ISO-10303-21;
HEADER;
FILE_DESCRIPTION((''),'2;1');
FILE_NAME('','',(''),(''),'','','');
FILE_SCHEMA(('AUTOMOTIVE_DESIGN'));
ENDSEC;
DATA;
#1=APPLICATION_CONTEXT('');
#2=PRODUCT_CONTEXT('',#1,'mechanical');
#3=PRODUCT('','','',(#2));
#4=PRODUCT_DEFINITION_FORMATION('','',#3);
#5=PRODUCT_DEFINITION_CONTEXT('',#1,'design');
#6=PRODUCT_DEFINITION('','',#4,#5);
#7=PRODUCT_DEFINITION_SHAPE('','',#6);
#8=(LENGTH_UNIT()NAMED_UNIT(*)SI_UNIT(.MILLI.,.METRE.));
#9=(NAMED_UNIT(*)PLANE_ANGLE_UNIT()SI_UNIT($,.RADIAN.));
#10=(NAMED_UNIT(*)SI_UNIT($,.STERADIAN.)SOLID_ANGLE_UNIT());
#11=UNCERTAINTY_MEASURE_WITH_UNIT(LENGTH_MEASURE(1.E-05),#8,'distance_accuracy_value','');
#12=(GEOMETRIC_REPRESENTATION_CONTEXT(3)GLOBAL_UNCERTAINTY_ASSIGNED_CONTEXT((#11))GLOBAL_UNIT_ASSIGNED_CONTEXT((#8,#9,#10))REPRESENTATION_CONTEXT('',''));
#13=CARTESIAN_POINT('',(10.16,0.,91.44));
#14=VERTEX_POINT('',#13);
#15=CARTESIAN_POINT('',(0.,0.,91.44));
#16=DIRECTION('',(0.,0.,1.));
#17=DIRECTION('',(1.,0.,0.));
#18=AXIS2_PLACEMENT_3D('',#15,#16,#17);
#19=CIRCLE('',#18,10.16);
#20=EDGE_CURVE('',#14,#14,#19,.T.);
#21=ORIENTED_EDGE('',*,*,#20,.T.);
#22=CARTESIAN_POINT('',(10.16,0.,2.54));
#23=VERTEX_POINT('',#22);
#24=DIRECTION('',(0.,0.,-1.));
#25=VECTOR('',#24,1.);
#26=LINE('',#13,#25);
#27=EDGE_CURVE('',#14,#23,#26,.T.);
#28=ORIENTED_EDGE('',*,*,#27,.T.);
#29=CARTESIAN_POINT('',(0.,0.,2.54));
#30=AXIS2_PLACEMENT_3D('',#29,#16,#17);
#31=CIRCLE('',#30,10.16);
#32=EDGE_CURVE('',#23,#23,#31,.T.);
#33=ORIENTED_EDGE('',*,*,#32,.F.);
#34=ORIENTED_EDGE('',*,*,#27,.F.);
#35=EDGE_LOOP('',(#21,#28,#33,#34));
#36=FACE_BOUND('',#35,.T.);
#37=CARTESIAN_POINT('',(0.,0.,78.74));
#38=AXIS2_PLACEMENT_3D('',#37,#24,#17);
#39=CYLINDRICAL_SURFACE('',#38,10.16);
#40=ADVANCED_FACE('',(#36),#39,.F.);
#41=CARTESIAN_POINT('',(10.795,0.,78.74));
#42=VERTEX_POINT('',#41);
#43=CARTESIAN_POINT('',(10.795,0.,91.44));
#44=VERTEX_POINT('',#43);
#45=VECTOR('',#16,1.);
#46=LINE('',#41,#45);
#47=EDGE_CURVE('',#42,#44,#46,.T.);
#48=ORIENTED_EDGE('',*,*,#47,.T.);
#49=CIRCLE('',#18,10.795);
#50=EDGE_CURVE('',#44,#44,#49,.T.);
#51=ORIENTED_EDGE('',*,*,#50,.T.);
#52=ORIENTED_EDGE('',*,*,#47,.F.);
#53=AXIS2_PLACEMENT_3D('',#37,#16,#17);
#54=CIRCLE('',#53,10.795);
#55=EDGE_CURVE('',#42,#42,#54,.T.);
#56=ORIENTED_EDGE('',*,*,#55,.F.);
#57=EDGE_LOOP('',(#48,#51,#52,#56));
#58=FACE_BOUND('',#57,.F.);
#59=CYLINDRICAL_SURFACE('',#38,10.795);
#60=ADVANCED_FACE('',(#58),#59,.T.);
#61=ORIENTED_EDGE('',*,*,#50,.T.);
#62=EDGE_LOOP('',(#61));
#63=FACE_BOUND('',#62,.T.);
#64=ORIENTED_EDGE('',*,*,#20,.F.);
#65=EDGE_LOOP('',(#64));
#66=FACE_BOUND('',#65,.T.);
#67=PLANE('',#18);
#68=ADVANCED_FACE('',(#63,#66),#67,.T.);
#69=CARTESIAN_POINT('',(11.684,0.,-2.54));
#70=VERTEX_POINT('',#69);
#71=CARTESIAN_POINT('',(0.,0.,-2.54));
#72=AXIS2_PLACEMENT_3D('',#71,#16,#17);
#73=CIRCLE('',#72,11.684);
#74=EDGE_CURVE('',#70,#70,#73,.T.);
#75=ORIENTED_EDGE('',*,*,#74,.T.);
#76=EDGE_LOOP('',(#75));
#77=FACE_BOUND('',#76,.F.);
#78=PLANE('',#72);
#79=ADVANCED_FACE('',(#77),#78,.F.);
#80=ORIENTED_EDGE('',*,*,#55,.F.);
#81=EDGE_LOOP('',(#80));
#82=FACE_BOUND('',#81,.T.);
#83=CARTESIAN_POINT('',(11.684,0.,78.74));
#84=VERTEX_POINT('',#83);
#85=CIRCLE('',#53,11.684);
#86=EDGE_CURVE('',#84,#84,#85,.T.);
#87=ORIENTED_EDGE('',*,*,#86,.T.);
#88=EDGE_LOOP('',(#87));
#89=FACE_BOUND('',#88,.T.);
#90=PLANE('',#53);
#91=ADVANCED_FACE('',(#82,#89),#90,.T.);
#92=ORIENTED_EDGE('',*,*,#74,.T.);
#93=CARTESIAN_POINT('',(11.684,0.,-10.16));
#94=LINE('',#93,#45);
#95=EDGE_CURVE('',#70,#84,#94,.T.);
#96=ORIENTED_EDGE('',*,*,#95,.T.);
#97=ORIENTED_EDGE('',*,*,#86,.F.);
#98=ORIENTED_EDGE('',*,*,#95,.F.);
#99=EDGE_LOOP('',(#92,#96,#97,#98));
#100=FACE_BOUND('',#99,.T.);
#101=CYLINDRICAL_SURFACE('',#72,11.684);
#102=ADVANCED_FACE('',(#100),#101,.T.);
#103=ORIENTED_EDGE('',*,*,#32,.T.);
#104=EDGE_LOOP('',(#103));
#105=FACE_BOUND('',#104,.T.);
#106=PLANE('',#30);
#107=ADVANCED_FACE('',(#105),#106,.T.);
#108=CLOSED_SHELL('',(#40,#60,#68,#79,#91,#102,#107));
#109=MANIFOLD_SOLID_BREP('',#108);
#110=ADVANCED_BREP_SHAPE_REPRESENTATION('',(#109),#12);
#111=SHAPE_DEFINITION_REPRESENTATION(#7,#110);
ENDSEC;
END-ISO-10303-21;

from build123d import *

# Parameters (mm, degrees)
F0_R     = 11.684
F1_DEPTH = 78.74
F2_R     = 10.16
F3_DEPTH = 76.2
F4_DEPTH = 2.54
F5_DEPTH = 7.62
F7_DEPTH = 7.62
F6_R     = 10.795
F6_R_2   = 10.16
F9_DEPTH = 12.7


with BuildPart() as f1:
    # F0 (on Top) → F1 (new body)
    with BuildSketch(Plane.XY):
        Circle(F0_R)
    extrude(amount=F1_DEPTH)

    # F2 (on face) → F3 (cut)
    with BuildSketch(Plane.XY.offset(78.74)):
        Circle(F2_R)
    extrude(amount=-F3_DEPTH, mode=Mode.SUBTRACT)

    # F4 (add): a face of the model
    f4_faces = [f1.faces().sort_by_distance(p)[0] for p in [
        (0, 0, 0),
    ]]
    extrude(f4_faces, amount=F4_DEPTH)

    # F5 (add): a face of the model
    f5_faces = [f1.faces().sort_by_distance(p)[0] for p in [
        (0, 0, -2.54),
    ]]
    extrude(f5_faces, amount=F5_DEPTH)

    # F7 (cut): a face of the model
    f7_faces = [f1.faces().sort_by_distance(p)[0] for p in [
        (0, 0, -10.16),
    ]]
    extrude(f7_faces, amount=-F7_DEPTH, mode=Mode.SUBTRACT)

    # F6 (on face) → F9 (join)
    with BuildSketch(Plane.XY.offset(78.74)):
        Circle(F6_R)
        Circle(F6_R_2, mode=Mode.SUBTRACT)
    extrude(amount=F9_DEPTH)


solid = f1.part
